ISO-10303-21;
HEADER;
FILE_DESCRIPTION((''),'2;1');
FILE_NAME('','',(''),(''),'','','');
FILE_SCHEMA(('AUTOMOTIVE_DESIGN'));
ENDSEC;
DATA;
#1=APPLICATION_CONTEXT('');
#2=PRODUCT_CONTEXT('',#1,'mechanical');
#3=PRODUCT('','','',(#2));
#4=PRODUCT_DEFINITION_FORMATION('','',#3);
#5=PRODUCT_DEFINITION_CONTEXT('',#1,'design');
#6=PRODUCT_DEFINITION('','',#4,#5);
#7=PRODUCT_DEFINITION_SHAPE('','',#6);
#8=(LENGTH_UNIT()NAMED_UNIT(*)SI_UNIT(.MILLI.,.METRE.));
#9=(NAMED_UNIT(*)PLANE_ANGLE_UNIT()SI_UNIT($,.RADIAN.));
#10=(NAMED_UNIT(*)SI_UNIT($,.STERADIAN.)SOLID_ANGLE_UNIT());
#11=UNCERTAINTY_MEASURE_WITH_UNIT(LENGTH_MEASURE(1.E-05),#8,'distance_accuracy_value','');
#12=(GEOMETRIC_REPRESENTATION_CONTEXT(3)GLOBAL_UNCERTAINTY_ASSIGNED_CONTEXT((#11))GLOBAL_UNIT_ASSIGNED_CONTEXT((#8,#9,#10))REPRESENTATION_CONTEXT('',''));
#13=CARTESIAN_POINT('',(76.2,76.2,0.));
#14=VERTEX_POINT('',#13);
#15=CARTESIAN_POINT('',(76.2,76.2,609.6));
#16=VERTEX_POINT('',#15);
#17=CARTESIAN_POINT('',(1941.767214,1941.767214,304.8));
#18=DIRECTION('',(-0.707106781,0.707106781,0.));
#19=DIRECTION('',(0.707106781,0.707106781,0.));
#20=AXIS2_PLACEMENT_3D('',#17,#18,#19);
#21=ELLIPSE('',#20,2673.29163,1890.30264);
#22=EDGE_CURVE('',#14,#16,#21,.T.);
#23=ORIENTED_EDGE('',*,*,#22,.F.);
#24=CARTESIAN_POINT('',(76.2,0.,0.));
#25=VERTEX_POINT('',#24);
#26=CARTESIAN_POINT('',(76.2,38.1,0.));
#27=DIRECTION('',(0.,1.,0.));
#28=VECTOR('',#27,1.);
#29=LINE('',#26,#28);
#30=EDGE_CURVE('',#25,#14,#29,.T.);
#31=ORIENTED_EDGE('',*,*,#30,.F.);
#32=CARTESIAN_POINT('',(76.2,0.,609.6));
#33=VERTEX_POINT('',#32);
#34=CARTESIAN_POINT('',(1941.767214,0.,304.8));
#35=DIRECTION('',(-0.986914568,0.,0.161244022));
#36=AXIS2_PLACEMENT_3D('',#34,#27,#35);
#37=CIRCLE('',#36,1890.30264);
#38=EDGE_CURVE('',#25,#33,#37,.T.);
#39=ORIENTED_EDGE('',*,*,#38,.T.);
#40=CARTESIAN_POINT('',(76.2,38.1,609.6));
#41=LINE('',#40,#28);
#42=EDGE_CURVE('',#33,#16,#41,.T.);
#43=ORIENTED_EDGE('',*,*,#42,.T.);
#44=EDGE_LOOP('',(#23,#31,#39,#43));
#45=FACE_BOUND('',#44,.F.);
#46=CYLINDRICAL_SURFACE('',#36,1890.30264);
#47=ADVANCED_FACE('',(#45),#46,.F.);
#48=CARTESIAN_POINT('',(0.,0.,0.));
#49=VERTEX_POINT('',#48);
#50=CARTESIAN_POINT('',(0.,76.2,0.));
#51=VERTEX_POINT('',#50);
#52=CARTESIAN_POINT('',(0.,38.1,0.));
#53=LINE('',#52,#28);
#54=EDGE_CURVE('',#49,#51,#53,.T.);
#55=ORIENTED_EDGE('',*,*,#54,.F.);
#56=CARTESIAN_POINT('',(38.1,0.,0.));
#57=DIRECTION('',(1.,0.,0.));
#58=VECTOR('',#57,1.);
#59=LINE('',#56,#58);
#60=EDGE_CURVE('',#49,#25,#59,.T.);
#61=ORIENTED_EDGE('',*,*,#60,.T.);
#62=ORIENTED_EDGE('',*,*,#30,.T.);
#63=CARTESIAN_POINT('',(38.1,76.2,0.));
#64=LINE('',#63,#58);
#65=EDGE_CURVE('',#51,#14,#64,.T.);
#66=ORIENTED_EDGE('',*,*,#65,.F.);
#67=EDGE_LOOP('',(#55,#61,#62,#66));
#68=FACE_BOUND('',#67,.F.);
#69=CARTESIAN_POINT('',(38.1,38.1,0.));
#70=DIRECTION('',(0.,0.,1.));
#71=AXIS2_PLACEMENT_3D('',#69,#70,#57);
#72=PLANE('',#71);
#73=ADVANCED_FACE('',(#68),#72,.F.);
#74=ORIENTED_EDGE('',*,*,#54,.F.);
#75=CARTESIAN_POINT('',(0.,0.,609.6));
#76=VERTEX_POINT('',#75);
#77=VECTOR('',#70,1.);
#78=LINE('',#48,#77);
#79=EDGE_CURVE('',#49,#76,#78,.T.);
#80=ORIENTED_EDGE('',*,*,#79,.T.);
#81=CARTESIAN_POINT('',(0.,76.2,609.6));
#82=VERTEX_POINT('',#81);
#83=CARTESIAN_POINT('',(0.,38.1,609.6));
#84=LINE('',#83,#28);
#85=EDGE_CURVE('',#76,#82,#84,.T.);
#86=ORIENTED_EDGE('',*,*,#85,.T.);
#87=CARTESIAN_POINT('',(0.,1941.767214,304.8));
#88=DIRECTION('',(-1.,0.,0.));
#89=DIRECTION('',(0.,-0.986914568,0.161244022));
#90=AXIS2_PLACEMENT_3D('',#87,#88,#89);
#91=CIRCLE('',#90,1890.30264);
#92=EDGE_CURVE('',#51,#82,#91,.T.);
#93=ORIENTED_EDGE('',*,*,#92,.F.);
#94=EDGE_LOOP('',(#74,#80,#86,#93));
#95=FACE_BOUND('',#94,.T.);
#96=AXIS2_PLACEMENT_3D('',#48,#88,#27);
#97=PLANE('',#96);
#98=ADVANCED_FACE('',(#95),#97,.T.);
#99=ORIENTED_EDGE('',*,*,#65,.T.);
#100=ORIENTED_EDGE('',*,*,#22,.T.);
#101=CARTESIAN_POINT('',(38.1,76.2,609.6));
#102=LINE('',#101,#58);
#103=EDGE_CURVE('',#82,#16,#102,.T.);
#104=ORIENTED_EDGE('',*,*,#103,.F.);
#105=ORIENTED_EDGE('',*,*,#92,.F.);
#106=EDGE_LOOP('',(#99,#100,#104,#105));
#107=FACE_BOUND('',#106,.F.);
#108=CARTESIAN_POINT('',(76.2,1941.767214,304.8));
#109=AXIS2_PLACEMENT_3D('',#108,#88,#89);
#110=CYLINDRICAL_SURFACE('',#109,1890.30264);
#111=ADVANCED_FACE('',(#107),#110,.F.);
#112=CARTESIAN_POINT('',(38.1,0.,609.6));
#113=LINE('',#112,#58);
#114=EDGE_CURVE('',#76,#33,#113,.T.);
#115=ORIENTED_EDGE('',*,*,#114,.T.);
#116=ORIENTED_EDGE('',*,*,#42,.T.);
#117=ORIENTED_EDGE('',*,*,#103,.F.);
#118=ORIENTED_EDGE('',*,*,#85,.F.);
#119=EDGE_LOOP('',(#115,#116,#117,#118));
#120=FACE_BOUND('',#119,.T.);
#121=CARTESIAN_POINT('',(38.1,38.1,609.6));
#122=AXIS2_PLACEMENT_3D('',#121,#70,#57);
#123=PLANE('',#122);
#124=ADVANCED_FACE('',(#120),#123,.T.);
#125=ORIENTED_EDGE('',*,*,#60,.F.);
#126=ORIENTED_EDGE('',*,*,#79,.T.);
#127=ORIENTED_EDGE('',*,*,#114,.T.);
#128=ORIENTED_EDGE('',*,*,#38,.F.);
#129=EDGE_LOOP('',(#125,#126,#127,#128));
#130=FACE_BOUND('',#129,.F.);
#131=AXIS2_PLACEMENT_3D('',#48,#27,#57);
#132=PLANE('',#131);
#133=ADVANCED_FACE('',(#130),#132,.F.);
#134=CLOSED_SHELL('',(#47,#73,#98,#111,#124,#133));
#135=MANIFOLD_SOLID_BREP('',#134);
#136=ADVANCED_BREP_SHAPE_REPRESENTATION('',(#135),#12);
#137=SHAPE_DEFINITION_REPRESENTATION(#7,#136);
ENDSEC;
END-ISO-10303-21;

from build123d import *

# Parameters (mm, degrees)
F0_W     = 76.2
F0_H     = 76.2
F1_DEPTH = 609.6


with BuildPart() as f1:
    # F0 (on Top) → F1 (new body)
    with BuildSketch(Plane.XY):
        with Locations((38.1, 38.1)):
            Rectangle(F0_W, F0_H)
    extrude(amount=F1_DEPTH)

    # F3: sweep along a path in F3_path
    with BuildLine(Plane(origin=(76.2, 0, 609.6), x_dir=(0, -1, 0), z_dir=(0, 0, -1))) as f3_path:
        Line((0, 0), (-76.2, 0))
        Line((-76.2, 0), (-76.2, 76.2))
    # F2 (on face) → F3 (sweep, cut)
    with BuildSketch(Plane.XZ):
        with BuildLine():
            Line((76.2, 0), (76.2, 609.6))
            ThreePointArc((76.2, 609.6), (51.4645742233, 304.8), (76.2, 0))
        make_face()
    sweep(path=f3_path.line, transition=Transition.RIGHT, mode=Mode.SUBTRACT)


solid = f1.part
